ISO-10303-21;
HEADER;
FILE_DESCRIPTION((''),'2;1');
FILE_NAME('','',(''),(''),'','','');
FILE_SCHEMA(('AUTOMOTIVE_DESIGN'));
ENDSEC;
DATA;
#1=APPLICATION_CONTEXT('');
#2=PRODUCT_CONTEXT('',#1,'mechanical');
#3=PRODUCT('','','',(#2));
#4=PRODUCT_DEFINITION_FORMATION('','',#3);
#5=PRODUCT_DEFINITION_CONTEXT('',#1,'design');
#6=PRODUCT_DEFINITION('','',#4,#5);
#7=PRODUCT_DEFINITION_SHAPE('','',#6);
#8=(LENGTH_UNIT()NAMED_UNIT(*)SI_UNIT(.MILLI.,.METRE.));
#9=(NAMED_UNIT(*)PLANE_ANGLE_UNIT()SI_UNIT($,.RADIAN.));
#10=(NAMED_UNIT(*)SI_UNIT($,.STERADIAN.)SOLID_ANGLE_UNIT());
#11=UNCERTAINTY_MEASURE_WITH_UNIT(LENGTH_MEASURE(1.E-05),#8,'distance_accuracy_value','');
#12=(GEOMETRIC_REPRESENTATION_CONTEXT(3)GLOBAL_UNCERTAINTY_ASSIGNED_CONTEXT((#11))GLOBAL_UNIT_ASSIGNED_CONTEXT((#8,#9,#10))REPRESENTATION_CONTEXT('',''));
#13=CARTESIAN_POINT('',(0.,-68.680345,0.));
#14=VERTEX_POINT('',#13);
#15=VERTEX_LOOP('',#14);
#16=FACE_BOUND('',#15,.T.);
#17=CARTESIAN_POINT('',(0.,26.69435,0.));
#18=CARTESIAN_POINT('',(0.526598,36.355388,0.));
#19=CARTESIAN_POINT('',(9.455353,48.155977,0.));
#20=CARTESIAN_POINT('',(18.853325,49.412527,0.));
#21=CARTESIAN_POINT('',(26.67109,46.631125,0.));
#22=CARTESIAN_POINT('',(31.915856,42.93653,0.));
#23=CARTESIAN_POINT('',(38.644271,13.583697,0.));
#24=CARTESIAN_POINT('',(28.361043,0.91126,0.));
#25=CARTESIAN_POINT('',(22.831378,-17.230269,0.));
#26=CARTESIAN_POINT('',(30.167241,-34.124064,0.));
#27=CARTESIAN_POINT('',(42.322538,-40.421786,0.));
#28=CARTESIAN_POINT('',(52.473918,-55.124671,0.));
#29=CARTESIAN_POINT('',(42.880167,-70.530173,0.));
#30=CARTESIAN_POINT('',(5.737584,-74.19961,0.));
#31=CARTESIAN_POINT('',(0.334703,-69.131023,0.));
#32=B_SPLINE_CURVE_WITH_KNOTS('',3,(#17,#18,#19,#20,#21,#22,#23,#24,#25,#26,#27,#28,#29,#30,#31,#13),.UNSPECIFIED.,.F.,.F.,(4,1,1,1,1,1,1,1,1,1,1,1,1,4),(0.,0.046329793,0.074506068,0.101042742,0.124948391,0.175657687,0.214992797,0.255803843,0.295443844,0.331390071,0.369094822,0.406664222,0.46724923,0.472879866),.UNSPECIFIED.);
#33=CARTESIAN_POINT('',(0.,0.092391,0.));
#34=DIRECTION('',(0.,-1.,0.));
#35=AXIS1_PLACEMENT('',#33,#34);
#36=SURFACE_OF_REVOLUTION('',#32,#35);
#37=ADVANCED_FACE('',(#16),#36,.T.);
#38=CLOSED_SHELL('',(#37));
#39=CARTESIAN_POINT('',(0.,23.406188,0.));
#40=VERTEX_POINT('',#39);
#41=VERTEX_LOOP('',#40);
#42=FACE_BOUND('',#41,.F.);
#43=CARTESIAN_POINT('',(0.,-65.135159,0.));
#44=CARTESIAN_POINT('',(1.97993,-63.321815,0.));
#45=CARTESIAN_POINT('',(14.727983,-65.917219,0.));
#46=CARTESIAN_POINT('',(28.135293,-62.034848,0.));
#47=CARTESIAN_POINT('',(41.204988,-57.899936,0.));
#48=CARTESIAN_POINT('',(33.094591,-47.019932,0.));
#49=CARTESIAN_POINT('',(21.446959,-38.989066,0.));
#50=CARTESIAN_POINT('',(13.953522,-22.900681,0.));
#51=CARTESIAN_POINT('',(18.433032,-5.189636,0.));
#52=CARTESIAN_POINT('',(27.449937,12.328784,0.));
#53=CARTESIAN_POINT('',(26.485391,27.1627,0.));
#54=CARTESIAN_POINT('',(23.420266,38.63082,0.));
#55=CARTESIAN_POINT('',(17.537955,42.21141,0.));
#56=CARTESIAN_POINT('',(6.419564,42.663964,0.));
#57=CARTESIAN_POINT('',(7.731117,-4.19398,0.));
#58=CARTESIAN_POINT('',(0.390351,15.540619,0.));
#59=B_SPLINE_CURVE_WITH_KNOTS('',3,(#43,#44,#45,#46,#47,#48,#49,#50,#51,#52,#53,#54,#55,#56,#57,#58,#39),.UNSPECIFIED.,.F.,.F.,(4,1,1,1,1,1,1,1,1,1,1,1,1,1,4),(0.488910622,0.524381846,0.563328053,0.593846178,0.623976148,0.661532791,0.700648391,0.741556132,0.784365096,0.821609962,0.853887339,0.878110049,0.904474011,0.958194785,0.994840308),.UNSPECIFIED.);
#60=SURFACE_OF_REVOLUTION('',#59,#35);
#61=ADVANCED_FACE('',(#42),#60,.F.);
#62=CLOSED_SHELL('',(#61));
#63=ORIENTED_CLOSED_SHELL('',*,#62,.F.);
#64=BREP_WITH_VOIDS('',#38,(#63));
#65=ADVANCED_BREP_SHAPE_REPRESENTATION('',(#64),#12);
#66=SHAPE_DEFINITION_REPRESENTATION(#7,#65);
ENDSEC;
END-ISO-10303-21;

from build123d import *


with BuildPart() as f1:
    # F0 (on Top) → F1 (revolve)
    with BuildSketch(Plane.XY):
        with BuildLine():
            add(Edge.make_bspline(
                [(0, 26.6943499446), (0.5265979128, 36.3553883878), (9.4553525159, 48.1559767143), (18.8533245004, 49.4125270012), (26.6710901519, 46.6311251), (31.915856414, 42.9365302257), (38.6442708301, 13.5836973136), (28.3610426914, 0.9112601081), (22.8313775482, -17.2302688735), (30.1672411173, -34.1240642007), (42.3225381898, -40.4217856806), (52.4739182015, -55.1246712442), (42.880167249, -70.5301730347), (5.7375843682, -74.1996104375), (0.3347027019, -69.1310230315), (0, -68.680344847)],
                knots=[0, 0, 0, 0, 0.046329793, 0.0745060685, 0.1010427422, 0.1249483907, 0.175657687, 0.2149927973, 0.2558038429, 0.2954438443, 0.3313900708, 0.3690948223, 0.4066642219, 0.4672492297, 0.4728798656, 0.4728798656, 0.4728798656, 0.4728798656], degree=3))
            Line((0, 26.6943499446), (0, 23.406187509))
            add(Edge.make_bspline(
                [(0, -65.1351585984), (1.9799303644, -63.321815308), (14.7279831095, -65.9172193288), (28.135293252, -62.0348475282), (41.2049879241, -57.8999364385), (33.0945910414, -47.019931981), (21.446959108, -38.9890664213), (13.9535223154, -22.9006812647), (18.4330315221, -5.1896360545), (27.4499372533, 12.3287839739), (26.4853905117, 27.1627003759), (23.4202658557, 38.6308203089), (17.5379553706, 42.2114102079), (6.4195644563, 42.6639642287), (7.7311169872, -4.1939795821), (0.390350924, 15.5406188865), (0, 23.406187509)],
                knots=[0.4889106224, 0.4889106224, 0.4889106224, 0.4889106224, 0.5243818464, 0.563328053, 0.5938461782, 0.6239761476, 0.6615327907, 0.7006483914, 0.7415561321, 0.7843650956, 0.8216099621, 0.8538873387, 0.8781100492, 0.9044740113, 0.9581947849, 0.9948403077, 0.9948403077, 0.9948403077, 0.9948403077], degree=3))
            Line((0, -65.1351585984), (0, -68.680344847))
        make_face()
    revolve(axis=Axis((0, 0.0923909247, 0), (0, -1, 0)))


solid = f1.part
